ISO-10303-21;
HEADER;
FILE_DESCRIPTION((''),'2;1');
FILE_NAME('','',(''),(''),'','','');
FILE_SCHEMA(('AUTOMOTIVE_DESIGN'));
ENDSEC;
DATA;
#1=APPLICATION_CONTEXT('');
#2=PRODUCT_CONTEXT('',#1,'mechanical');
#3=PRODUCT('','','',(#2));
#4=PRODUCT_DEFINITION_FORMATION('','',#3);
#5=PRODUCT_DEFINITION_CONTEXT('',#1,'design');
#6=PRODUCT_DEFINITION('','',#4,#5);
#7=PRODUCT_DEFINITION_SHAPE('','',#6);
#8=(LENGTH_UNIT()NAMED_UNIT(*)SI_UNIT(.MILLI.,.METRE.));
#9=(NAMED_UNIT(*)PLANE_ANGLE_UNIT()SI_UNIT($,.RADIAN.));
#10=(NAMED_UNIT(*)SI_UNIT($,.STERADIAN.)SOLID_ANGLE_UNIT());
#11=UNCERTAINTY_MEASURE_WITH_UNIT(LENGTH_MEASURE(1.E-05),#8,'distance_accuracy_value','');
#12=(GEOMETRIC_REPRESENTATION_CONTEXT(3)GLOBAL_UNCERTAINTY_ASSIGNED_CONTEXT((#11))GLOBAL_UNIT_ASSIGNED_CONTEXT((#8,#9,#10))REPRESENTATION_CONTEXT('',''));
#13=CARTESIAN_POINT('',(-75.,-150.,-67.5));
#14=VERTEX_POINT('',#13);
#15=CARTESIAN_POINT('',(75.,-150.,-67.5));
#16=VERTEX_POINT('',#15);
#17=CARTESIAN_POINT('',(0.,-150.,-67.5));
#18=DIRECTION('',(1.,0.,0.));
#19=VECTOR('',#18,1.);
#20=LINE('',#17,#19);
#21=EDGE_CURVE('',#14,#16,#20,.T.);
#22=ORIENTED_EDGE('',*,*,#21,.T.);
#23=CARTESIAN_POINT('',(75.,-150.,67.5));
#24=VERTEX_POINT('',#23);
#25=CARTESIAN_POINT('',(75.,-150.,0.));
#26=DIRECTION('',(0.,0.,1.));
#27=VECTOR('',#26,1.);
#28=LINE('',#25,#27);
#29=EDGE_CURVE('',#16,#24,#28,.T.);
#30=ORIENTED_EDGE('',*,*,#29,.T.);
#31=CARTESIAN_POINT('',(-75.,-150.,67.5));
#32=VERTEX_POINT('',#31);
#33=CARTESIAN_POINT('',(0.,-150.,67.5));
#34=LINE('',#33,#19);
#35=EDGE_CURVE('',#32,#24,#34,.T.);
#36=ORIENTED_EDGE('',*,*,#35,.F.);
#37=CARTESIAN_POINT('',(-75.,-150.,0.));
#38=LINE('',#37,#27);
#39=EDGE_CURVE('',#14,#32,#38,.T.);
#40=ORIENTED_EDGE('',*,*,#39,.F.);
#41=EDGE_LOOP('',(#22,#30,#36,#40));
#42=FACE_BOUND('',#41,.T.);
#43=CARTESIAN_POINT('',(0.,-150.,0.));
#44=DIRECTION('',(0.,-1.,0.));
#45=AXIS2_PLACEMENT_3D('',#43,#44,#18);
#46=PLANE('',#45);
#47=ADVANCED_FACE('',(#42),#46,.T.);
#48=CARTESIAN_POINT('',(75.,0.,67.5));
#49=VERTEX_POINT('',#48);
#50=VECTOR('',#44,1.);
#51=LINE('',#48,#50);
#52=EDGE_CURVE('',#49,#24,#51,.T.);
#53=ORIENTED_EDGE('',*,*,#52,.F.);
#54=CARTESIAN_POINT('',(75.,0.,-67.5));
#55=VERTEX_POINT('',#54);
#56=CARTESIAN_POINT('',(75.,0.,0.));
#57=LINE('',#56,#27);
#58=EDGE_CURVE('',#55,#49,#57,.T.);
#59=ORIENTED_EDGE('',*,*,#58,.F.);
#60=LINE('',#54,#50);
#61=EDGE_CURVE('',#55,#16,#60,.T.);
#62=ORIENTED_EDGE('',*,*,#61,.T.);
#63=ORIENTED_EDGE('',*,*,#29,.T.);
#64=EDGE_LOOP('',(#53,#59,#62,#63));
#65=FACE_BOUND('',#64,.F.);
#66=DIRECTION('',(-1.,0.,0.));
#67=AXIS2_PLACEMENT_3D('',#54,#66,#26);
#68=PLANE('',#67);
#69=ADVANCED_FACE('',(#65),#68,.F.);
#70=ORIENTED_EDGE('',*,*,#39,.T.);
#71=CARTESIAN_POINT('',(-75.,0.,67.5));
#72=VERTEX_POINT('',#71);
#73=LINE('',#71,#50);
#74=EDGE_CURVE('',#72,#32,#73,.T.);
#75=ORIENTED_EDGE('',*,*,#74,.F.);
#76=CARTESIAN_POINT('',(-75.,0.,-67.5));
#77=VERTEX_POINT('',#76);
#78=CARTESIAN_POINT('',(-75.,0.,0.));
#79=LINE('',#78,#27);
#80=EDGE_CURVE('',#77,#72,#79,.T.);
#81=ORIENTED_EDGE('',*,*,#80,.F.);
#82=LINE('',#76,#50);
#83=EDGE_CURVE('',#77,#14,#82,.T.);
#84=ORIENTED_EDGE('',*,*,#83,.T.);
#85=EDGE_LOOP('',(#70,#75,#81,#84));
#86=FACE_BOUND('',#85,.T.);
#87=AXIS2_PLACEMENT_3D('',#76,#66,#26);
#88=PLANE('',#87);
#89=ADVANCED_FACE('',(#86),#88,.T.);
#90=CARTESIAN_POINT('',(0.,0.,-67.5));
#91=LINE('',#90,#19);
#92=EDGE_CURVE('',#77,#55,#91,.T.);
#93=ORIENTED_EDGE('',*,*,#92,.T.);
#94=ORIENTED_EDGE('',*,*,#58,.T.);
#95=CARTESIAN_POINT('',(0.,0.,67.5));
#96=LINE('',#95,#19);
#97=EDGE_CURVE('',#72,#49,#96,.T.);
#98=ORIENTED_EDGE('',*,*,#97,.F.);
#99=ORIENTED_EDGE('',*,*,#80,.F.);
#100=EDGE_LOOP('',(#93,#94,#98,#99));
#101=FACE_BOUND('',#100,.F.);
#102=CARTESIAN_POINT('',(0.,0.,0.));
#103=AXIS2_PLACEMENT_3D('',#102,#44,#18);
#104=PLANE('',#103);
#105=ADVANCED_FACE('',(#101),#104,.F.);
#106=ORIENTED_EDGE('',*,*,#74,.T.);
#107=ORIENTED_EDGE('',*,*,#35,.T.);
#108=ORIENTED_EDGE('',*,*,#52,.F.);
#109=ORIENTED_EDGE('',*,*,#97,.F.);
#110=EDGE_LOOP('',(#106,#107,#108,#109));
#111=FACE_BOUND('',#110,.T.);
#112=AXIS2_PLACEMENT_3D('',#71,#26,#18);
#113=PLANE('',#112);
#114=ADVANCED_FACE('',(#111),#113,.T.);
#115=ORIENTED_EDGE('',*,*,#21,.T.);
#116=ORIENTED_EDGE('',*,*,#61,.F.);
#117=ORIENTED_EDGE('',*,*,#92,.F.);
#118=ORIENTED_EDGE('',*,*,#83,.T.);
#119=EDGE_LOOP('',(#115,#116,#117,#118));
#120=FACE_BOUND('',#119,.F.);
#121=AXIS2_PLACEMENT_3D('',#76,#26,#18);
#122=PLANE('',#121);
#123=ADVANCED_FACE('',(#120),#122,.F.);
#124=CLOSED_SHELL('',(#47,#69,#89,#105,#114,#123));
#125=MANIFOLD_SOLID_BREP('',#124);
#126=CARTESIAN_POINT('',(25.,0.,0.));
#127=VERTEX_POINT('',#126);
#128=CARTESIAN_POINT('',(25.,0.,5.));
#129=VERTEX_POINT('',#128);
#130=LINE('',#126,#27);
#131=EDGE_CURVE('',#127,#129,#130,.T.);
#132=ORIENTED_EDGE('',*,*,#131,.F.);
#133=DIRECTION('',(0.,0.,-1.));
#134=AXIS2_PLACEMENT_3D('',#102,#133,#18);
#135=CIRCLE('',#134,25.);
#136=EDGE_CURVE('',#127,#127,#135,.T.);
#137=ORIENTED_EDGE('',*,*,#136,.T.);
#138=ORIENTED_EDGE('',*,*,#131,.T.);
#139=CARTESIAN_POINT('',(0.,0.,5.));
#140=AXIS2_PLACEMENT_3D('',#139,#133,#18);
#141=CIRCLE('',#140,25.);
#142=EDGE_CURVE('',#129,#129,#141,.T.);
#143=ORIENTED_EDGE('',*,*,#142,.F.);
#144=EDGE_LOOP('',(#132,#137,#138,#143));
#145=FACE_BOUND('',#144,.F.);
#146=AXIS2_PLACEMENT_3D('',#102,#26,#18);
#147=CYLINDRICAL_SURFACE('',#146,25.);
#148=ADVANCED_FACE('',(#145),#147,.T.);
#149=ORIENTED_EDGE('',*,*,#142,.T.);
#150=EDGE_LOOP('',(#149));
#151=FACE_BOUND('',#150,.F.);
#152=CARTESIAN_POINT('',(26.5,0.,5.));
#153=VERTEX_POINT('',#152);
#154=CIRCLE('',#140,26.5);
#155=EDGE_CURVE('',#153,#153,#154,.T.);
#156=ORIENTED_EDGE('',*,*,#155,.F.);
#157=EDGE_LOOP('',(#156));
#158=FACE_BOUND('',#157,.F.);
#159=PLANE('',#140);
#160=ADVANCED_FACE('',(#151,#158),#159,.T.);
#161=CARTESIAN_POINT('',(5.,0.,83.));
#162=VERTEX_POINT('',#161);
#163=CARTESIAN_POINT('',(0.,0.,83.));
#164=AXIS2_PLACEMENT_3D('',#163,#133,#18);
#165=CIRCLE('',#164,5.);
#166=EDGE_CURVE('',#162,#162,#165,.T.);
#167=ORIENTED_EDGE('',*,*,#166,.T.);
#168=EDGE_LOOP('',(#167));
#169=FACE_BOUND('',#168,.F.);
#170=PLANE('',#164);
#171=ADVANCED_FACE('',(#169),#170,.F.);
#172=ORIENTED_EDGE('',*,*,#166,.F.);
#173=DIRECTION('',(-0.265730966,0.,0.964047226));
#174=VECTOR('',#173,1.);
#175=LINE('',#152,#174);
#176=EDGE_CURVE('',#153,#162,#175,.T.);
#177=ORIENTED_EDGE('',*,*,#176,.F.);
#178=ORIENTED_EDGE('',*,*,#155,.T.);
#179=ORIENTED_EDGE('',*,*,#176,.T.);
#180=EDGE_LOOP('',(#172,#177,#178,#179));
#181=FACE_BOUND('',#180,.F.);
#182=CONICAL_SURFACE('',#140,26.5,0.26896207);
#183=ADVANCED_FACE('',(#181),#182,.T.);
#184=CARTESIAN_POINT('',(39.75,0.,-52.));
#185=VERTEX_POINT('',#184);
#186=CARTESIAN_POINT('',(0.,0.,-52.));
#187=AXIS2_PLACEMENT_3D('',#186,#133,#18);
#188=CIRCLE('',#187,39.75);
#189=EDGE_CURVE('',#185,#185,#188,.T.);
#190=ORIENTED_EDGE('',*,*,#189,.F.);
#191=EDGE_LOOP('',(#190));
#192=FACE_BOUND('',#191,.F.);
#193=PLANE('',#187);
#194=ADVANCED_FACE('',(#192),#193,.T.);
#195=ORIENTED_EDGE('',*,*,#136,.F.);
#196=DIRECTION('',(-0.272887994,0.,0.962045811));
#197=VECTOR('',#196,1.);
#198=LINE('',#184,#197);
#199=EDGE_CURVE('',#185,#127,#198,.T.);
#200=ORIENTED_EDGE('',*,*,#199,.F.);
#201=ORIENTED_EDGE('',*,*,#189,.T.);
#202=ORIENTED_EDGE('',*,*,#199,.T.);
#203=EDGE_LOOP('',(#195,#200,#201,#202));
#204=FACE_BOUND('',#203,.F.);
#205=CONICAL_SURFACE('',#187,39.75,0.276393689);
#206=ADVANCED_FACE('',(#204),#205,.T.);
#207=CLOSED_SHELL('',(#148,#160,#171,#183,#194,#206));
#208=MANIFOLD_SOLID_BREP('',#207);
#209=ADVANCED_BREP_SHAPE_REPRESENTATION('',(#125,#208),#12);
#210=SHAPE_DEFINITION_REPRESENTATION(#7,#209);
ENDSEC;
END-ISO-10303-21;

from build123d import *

# Parameters (mm, degrees)
F2_W     = 150
F2_H     = 135
F3_DEPTH = 150


with BuildPart() as f1:
    # F0 (on Front) → F1 (revolve)
    with BuildSketch(Plane.XZ):
        Polygon((5, 83), (0, 83), (0, 0), (0, -52), (39.75, -52), (25, 0), (25, 5), (26.5, 5), align=None)
    revolve(axis=Axis((0, 0, 41.5), (0, 0, -1)))


with BuildPart() as f3:
    # F2 (on Front) → F3 (new body)
    with BuildSketch(Plane.XZ):
        Rectangle(F2_W, F2_H)
    extrude(amount=F3_DEPTH)


solid = Compound([f1.part, f3.part])
